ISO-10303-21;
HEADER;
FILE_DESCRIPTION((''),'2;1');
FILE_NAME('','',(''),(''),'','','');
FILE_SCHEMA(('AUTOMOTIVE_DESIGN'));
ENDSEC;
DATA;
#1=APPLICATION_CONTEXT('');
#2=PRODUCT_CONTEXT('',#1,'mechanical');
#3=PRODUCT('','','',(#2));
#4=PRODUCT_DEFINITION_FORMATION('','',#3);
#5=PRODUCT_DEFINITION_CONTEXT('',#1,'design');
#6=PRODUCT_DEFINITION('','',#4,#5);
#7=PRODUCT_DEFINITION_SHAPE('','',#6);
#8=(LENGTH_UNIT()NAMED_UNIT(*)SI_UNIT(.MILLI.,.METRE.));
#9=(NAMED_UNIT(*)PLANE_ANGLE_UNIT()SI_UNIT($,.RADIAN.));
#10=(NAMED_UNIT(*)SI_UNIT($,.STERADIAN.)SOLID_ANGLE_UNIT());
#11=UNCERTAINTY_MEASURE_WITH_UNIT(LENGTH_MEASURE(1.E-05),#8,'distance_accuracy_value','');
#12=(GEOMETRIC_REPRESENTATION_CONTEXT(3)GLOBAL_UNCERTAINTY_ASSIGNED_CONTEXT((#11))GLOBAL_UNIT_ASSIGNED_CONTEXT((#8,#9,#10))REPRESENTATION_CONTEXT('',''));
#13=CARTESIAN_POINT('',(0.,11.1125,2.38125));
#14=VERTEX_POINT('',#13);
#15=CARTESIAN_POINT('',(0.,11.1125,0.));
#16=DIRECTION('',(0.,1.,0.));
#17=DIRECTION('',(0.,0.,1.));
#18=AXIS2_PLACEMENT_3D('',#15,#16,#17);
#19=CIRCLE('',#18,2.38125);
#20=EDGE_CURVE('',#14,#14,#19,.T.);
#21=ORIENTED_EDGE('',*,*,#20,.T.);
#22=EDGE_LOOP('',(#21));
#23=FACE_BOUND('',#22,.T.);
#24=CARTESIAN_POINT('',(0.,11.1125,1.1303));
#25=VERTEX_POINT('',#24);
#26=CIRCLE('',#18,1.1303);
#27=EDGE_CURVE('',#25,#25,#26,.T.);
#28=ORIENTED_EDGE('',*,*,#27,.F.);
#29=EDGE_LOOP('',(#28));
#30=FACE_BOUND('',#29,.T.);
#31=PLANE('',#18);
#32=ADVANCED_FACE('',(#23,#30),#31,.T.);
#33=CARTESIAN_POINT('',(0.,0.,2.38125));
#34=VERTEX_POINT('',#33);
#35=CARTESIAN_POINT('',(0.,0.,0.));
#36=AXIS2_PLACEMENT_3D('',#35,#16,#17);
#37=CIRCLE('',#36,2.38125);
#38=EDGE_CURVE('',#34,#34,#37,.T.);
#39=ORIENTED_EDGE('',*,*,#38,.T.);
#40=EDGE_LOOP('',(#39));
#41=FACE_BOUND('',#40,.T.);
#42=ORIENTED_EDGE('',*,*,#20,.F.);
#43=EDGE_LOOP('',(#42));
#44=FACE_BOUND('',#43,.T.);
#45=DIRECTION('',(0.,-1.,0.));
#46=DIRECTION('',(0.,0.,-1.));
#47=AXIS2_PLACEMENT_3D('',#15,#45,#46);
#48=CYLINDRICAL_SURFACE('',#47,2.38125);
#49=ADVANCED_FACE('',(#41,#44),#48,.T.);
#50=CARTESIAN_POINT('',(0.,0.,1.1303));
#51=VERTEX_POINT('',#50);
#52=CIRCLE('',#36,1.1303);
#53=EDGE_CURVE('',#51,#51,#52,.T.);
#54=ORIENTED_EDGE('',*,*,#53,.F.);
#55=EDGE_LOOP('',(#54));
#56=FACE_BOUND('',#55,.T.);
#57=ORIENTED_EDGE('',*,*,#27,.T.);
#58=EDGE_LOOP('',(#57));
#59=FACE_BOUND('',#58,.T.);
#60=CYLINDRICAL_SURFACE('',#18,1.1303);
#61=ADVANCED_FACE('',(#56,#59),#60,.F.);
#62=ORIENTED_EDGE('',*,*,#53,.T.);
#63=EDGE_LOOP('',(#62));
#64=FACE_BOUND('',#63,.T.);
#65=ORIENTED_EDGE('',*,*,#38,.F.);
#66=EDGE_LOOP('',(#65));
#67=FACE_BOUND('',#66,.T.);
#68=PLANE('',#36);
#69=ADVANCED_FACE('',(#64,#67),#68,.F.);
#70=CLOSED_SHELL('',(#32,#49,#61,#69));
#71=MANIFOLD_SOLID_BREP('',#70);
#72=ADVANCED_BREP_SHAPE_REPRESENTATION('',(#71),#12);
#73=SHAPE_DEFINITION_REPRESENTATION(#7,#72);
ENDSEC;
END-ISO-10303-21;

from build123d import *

# Parameters (mm, degrees)
SKETCH1_R                     = 2.38125
BOSS_EXTRUDE1_DEPTH           = 11.1125
TAP_DRILL_FOR_4_40_TAP1_D     = 2.2606
TAP_DRILL_FOR_4_40_TAP1_DEPTH = 11.1125


with BuildPart() as part:
    # Sketch1 → Boss-Extrude1 (new body)
    with BuildSketch(Plane(origin=(0, 0, 0), x_dir=(1, 0, 0), z_dir=(0, 1, 0))):
        Circle(SKETCH1_R)
    extrude(amount=BOSS_EXTRUDE1_DEPTH)

    # Tap Drill for #4-40 Tap1
    with Locations(Plane(origin=(0, 11.1125, 0), x_dir=(-1, 0, 0), z_dir=(0, 1, 0))):
        with Locations((0, 0)):
            Hole(TAP_DRILL_FOR_4_40_TAP1_D / 2, depth=TAP_DRILL_FOR_4_40_TAP1_DEPTH)


solid = part.part
